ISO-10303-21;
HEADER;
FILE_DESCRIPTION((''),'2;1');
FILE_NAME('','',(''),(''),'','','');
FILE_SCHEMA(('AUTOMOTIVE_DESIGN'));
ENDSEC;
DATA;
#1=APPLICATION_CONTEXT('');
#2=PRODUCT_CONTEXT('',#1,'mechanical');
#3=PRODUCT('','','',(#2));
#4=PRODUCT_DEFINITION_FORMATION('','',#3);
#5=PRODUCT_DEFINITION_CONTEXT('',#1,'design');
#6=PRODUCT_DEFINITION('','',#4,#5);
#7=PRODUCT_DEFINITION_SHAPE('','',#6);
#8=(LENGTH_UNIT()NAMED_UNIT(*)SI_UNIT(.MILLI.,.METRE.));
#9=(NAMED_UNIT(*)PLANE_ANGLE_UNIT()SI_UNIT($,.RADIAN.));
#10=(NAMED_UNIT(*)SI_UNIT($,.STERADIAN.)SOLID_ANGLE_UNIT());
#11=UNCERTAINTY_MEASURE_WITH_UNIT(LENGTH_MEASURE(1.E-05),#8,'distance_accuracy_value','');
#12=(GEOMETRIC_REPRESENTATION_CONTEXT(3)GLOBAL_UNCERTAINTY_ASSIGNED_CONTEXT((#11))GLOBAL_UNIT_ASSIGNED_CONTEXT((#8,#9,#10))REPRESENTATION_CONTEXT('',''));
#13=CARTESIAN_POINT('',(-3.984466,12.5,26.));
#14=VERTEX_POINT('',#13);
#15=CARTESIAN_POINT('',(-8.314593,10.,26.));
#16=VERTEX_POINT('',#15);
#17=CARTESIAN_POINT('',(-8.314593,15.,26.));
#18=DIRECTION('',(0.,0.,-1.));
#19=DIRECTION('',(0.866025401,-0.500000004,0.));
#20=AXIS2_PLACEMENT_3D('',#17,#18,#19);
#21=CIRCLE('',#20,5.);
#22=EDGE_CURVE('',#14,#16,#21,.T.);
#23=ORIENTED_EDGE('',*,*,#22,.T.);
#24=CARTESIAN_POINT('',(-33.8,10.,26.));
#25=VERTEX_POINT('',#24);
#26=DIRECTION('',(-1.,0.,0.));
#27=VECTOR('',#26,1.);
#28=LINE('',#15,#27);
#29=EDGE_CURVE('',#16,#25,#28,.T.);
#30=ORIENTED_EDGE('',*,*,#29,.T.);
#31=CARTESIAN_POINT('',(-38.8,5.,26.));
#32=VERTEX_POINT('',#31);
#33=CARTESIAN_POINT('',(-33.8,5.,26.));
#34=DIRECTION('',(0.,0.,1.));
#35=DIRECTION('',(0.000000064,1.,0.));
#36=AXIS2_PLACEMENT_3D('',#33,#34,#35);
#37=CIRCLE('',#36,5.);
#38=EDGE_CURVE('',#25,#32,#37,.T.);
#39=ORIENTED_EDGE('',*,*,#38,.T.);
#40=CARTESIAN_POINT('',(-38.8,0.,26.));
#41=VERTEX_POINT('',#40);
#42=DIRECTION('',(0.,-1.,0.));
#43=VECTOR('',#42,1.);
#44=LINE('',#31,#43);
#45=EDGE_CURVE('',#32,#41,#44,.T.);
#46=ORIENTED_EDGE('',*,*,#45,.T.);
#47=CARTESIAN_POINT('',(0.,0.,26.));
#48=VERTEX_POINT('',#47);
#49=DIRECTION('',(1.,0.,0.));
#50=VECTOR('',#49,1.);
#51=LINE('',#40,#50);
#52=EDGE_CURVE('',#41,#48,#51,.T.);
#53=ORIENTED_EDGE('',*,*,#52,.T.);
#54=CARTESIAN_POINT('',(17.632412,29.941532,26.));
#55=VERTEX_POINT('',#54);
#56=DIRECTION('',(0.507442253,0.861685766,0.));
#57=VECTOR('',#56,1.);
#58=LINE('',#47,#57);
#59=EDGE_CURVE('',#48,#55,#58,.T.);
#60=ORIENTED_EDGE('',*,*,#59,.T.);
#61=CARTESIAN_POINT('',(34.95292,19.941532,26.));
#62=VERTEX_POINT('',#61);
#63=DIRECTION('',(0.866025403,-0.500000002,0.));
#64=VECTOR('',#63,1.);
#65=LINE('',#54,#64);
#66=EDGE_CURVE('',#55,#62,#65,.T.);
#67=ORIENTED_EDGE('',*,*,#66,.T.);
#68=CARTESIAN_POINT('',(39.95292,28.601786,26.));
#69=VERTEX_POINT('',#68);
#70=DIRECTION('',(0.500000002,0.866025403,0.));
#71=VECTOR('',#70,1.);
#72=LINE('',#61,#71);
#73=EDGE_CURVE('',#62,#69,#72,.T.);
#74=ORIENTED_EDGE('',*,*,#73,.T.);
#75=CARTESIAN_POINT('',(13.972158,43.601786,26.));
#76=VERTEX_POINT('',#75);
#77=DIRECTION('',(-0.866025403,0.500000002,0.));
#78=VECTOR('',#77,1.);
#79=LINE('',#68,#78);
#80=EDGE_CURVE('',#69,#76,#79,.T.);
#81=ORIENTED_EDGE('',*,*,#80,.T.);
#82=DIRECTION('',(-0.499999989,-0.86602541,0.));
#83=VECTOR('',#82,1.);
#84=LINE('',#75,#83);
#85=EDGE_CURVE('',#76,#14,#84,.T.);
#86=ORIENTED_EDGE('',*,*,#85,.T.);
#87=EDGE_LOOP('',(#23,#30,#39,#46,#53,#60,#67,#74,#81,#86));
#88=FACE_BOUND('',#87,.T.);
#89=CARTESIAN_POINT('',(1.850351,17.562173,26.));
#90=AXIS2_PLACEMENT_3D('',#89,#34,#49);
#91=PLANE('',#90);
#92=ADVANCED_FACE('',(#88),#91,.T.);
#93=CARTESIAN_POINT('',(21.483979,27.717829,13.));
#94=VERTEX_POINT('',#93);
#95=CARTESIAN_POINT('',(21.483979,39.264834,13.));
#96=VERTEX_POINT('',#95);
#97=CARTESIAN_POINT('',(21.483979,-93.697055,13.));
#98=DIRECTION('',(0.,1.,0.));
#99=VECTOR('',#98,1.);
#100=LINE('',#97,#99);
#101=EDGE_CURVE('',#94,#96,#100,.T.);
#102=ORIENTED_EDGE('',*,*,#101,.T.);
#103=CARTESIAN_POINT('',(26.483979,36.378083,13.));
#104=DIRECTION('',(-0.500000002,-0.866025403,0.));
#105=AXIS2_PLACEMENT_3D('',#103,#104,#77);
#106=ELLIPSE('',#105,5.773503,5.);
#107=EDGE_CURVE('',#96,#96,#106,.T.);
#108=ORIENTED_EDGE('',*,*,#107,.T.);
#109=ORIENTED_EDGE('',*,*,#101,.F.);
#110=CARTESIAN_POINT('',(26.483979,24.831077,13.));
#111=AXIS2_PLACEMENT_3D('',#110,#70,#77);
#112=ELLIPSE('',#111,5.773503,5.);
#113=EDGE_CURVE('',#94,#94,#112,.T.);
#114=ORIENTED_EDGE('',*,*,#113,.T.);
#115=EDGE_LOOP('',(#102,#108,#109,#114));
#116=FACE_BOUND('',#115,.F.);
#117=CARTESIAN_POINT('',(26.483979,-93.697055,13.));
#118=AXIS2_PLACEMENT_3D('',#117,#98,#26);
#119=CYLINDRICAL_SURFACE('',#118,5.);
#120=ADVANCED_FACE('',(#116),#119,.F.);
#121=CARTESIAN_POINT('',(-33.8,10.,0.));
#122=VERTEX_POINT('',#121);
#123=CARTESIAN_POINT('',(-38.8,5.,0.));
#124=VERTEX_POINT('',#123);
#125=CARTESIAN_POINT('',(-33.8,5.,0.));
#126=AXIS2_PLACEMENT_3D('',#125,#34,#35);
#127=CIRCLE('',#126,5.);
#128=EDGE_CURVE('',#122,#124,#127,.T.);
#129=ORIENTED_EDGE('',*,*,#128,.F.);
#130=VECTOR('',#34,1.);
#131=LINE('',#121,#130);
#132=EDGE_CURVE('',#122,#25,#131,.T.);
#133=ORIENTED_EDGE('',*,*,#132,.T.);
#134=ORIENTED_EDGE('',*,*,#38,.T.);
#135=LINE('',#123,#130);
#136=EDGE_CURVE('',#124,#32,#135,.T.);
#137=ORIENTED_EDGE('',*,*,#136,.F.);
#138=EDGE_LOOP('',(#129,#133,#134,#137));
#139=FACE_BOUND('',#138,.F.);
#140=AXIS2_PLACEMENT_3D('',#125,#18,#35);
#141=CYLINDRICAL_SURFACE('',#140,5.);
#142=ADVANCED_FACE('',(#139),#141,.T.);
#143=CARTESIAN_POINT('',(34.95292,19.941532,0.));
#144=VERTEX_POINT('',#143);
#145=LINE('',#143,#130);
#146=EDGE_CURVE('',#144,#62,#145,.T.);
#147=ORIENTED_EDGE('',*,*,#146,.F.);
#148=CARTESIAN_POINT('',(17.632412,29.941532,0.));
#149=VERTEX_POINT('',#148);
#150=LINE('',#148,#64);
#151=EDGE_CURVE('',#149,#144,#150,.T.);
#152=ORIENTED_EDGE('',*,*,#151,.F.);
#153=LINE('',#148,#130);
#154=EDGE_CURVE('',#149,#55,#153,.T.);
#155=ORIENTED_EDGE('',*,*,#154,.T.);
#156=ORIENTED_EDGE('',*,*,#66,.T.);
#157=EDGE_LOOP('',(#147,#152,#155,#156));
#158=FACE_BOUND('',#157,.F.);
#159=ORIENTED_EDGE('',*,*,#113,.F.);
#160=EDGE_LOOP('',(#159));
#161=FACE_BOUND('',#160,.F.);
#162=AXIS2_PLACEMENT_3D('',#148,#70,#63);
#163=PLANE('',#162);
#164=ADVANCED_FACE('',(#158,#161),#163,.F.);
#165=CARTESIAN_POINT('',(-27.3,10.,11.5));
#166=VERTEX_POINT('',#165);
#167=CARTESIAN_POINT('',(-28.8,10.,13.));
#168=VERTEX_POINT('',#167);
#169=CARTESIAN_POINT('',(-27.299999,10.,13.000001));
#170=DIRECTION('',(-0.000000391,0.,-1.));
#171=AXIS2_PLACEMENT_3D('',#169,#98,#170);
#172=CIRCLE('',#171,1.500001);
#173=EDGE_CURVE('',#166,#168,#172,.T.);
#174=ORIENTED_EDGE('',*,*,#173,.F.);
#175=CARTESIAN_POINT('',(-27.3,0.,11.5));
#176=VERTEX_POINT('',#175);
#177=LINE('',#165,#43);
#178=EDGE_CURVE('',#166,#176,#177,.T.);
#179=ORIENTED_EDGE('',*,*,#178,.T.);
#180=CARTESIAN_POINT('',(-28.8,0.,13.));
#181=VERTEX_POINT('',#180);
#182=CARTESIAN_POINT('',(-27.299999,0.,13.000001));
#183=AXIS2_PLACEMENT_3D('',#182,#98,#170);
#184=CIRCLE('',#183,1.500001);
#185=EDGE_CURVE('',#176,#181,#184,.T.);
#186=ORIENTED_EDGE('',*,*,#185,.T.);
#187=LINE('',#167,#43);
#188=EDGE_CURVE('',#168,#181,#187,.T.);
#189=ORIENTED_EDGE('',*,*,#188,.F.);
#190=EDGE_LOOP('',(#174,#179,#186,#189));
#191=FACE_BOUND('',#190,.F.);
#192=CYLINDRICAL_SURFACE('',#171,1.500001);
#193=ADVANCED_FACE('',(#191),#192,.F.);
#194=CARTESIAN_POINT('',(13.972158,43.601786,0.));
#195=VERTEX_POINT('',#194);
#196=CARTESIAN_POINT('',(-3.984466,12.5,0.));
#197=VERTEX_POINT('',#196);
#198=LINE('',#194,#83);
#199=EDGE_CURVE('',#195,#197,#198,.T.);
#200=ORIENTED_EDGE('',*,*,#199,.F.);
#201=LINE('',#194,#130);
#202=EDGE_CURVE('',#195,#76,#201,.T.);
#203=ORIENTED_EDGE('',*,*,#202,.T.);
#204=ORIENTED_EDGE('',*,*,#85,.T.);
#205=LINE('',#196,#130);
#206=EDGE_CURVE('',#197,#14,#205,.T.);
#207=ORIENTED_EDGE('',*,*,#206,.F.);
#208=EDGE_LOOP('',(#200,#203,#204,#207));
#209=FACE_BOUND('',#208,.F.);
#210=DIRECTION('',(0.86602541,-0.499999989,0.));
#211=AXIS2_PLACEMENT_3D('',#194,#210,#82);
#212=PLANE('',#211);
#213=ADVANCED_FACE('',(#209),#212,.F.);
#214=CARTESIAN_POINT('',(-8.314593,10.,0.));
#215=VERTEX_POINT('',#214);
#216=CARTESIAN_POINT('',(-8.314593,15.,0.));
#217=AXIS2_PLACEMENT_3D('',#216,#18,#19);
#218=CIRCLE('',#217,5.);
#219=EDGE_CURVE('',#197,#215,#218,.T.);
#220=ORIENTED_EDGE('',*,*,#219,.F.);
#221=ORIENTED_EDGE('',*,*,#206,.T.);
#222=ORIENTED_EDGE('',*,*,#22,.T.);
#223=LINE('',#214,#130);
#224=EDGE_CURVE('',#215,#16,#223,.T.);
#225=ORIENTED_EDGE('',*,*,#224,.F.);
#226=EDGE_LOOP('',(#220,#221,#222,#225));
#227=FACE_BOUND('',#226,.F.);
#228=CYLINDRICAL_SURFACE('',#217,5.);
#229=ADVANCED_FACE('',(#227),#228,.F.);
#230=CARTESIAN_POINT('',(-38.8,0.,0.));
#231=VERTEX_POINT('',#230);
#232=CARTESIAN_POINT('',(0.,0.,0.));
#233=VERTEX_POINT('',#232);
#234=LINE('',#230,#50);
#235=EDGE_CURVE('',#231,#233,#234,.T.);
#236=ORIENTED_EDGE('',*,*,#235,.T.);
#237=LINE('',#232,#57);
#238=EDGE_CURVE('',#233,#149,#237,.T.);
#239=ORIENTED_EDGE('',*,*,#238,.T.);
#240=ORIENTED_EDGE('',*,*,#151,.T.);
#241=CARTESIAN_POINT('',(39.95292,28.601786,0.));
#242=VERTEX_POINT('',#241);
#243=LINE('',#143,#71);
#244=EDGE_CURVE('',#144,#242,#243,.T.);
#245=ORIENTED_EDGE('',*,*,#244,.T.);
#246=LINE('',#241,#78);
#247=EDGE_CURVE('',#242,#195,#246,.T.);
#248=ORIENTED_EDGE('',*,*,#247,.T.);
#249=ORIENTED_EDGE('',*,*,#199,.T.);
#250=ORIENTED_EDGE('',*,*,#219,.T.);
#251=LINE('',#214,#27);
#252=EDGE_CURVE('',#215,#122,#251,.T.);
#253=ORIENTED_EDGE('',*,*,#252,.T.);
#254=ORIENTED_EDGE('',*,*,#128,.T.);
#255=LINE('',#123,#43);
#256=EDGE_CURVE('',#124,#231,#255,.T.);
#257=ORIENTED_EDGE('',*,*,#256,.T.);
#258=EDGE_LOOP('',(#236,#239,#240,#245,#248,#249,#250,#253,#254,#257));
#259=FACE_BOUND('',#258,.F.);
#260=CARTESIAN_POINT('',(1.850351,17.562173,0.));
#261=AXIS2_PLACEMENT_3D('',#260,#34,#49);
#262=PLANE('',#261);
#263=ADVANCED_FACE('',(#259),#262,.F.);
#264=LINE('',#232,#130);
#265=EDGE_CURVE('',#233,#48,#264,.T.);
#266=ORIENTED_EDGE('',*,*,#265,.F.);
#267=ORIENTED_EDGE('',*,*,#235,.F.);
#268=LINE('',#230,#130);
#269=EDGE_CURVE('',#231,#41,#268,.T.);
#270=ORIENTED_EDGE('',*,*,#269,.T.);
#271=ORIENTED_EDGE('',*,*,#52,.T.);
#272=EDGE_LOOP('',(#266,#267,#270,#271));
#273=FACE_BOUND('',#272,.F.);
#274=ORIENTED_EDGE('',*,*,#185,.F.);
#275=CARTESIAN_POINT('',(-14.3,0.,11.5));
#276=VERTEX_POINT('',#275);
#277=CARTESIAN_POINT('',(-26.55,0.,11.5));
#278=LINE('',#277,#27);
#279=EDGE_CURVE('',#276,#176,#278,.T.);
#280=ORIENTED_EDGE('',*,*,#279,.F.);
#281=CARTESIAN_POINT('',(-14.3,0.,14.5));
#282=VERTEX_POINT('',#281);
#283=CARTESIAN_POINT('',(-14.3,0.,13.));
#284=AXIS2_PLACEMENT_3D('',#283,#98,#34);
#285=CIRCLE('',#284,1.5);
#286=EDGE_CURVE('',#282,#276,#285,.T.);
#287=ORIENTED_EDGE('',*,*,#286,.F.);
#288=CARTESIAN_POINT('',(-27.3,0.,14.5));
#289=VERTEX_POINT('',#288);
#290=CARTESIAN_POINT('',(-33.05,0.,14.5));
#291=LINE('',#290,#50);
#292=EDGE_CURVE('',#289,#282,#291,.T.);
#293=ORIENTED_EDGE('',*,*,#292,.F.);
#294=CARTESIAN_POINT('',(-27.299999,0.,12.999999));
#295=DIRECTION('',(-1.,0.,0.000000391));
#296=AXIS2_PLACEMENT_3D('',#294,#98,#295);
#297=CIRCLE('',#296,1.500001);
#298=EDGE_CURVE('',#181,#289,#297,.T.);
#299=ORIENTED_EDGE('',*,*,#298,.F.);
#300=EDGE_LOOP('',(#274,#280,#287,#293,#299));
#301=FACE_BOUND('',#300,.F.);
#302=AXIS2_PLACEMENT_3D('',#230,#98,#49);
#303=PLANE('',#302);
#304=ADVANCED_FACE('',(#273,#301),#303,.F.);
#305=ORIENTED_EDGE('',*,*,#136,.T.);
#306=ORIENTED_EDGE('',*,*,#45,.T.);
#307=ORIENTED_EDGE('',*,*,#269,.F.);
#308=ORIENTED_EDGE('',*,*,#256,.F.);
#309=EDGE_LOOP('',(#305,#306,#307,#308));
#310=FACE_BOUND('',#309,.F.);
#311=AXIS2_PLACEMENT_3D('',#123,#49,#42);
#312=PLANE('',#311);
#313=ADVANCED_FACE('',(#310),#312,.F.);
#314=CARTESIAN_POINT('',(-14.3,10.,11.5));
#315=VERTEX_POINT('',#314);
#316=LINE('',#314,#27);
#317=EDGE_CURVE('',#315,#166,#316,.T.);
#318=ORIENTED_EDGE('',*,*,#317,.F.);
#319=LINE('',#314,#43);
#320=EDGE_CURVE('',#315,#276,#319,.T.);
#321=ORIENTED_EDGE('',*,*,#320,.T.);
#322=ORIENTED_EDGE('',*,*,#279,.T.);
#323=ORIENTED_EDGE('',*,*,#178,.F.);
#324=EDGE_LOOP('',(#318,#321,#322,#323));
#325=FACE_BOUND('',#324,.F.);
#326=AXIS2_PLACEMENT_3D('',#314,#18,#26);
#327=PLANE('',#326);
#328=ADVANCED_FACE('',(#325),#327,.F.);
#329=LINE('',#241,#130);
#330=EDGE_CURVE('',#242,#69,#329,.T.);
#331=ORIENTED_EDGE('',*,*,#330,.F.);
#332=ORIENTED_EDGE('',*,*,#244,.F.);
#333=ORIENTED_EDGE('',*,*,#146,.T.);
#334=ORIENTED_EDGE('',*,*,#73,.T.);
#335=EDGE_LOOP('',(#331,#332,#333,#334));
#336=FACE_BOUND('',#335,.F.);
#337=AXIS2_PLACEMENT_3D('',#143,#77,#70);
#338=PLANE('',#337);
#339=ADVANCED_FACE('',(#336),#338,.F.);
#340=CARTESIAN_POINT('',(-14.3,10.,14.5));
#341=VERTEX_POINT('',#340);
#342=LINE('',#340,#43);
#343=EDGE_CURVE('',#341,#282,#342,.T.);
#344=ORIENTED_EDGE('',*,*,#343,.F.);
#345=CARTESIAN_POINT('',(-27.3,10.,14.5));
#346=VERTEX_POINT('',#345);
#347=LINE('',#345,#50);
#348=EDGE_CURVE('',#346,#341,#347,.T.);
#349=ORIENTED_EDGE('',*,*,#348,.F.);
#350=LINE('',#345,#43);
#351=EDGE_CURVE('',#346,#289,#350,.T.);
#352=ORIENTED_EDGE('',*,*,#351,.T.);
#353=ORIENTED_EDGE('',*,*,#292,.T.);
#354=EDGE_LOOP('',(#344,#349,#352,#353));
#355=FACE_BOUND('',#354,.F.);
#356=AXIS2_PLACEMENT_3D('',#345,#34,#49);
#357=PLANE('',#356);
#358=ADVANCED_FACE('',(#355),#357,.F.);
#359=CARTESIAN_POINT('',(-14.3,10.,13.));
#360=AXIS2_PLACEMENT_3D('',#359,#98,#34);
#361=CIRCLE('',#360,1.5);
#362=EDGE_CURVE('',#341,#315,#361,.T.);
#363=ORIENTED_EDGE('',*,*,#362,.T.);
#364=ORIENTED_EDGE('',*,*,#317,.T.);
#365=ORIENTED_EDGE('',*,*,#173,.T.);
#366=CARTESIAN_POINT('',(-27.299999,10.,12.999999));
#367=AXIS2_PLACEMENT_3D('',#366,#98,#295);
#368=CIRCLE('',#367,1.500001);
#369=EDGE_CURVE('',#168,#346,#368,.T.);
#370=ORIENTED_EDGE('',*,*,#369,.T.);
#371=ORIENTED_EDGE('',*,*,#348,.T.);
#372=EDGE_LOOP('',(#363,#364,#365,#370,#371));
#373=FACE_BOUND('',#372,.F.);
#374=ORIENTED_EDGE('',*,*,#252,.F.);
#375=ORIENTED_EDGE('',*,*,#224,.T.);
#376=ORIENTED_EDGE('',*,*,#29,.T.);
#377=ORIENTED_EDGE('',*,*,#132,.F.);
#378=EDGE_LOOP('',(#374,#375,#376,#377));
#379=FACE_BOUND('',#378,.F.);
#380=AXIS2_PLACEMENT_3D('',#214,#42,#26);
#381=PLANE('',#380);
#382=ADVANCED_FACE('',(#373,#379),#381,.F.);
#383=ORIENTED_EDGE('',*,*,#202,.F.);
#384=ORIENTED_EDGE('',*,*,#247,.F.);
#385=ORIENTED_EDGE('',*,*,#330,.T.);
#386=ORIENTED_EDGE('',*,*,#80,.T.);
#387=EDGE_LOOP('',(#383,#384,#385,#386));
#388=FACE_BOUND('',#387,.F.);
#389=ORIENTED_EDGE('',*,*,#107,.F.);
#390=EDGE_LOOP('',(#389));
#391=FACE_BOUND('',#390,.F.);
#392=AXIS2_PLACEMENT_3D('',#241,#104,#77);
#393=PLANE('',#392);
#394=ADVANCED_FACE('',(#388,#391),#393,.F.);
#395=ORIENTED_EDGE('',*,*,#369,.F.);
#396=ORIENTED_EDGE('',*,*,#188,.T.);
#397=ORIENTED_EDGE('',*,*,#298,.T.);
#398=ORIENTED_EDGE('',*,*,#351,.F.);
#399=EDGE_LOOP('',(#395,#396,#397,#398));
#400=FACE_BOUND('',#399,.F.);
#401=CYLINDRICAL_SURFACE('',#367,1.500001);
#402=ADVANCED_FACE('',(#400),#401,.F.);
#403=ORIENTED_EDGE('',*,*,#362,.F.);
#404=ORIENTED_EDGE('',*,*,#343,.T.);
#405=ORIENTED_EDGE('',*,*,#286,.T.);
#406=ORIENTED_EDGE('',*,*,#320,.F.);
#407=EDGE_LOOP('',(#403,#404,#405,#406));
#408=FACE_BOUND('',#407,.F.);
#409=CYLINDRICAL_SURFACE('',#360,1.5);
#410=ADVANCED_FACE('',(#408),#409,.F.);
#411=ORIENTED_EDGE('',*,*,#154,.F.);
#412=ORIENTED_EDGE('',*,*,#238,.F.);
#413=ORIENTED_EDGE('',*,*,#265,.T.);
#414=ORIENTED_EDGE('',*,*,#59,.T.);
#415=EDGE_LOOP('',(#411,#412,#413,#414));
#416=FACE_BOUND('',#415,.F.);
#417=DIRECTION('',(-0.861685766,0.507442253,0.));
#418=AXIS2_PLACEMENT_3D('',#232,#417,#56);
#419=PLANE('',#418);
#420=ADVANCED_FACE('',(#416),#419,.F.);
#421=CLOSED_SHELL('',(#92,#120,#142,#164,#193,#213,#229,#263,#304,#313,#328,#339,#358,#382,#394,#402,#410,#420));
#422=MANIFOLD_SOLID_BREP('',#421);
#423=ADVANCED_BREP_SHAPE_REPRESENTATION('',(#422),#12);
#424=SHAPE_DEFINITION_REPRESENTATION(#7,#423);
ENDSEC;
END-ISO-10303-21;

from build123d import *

# Parameters (mm, degrees)
F1_DEPTH = 26
F3_DEPTH = 25
F5_D     = 10


with BuildPart() as f1:
    # F0 (on Top) → F1 (new body)
    with BuildSketch(Plane.XY):
        with BuildLine():
            Line((-38.8, 5), (-38.8, 0))
            Line((-38.8, 0), (0, 0))
            Line((0, 0), (17.632412, 29.941532))
            Line((17.632412, 29.941532), (34.95292, 19.941532))
            Line((34.95292, 19.941532), (39.95292, 28.601786))
            Line((39.95292, 28.601786), (13.972158, 43.601786))
            Line((13.972158, 43.601786), (-3.984466, 12.5))
            ThreePointArc((-3.984466, 12.5), (-5.814593, 10.669873), (-8.314593, 10))
            Line((-8.314593, 10), (-33.8, 10))
            ThreePointArc((-33.8, 10), (-37.335534, 8.535534), (-38.8, 5))
        make_face()
    extrude(amount=F1_DEPTH)

    # F2 (on face) → F3 (cut)
    with BuildSketch(Plane(origin=(0, 10, 0), x_dir=(-1, 0, 0), z_dir=(0, 1, 0))):
        with BuildLine():
            ThreePointArc((27.3, 11.5), (28.36066, 11.93934), (28.8, 13))
            ThreePointArc((28.8, 13), (28.36066, 14.06066), (27.3, 14.5))
            ThreePointArc((27.3, 14.5), (25.8, 13), (27.3, 11.5))
        make_face()
        with BuildLine():
            ThreePointArc((15.8, 13), (15.36066, 14.06066), (14.3, 14.5))
            ThreePointArc((14.3, 14.5), (12.8, 13), (14.3, 11.5))
            ThreePointArc((14.3, 11.5), (15.36066, 11.93934), (15.8, 13))
        make_face()
        with BuildLine():
            ThreePointArc((27.3, 11.5), (25.8, 13), (27.3, 14.5))
            Line((27.3, 14.5), (14.3, 14.5))
            ThreePointArc((14.3, 14.5), (15.36066, 14.06066), (15.8, 13))
            ThreePointArc((15.8, 13), (15.36066, 11.93934), (14.3, 11.5))
            Line((14.3, 11.5), (27.3, 11.5))
        make_face()
    extrude(amount=-F3_DEPTH, mode=Mode.SUBTRACT)

    # F5 (through all)
    with Locations(Plane.XZ):
        with Locations((26.483979, 13)):
            Hole(F5_D / 2)


solid = f1.part
